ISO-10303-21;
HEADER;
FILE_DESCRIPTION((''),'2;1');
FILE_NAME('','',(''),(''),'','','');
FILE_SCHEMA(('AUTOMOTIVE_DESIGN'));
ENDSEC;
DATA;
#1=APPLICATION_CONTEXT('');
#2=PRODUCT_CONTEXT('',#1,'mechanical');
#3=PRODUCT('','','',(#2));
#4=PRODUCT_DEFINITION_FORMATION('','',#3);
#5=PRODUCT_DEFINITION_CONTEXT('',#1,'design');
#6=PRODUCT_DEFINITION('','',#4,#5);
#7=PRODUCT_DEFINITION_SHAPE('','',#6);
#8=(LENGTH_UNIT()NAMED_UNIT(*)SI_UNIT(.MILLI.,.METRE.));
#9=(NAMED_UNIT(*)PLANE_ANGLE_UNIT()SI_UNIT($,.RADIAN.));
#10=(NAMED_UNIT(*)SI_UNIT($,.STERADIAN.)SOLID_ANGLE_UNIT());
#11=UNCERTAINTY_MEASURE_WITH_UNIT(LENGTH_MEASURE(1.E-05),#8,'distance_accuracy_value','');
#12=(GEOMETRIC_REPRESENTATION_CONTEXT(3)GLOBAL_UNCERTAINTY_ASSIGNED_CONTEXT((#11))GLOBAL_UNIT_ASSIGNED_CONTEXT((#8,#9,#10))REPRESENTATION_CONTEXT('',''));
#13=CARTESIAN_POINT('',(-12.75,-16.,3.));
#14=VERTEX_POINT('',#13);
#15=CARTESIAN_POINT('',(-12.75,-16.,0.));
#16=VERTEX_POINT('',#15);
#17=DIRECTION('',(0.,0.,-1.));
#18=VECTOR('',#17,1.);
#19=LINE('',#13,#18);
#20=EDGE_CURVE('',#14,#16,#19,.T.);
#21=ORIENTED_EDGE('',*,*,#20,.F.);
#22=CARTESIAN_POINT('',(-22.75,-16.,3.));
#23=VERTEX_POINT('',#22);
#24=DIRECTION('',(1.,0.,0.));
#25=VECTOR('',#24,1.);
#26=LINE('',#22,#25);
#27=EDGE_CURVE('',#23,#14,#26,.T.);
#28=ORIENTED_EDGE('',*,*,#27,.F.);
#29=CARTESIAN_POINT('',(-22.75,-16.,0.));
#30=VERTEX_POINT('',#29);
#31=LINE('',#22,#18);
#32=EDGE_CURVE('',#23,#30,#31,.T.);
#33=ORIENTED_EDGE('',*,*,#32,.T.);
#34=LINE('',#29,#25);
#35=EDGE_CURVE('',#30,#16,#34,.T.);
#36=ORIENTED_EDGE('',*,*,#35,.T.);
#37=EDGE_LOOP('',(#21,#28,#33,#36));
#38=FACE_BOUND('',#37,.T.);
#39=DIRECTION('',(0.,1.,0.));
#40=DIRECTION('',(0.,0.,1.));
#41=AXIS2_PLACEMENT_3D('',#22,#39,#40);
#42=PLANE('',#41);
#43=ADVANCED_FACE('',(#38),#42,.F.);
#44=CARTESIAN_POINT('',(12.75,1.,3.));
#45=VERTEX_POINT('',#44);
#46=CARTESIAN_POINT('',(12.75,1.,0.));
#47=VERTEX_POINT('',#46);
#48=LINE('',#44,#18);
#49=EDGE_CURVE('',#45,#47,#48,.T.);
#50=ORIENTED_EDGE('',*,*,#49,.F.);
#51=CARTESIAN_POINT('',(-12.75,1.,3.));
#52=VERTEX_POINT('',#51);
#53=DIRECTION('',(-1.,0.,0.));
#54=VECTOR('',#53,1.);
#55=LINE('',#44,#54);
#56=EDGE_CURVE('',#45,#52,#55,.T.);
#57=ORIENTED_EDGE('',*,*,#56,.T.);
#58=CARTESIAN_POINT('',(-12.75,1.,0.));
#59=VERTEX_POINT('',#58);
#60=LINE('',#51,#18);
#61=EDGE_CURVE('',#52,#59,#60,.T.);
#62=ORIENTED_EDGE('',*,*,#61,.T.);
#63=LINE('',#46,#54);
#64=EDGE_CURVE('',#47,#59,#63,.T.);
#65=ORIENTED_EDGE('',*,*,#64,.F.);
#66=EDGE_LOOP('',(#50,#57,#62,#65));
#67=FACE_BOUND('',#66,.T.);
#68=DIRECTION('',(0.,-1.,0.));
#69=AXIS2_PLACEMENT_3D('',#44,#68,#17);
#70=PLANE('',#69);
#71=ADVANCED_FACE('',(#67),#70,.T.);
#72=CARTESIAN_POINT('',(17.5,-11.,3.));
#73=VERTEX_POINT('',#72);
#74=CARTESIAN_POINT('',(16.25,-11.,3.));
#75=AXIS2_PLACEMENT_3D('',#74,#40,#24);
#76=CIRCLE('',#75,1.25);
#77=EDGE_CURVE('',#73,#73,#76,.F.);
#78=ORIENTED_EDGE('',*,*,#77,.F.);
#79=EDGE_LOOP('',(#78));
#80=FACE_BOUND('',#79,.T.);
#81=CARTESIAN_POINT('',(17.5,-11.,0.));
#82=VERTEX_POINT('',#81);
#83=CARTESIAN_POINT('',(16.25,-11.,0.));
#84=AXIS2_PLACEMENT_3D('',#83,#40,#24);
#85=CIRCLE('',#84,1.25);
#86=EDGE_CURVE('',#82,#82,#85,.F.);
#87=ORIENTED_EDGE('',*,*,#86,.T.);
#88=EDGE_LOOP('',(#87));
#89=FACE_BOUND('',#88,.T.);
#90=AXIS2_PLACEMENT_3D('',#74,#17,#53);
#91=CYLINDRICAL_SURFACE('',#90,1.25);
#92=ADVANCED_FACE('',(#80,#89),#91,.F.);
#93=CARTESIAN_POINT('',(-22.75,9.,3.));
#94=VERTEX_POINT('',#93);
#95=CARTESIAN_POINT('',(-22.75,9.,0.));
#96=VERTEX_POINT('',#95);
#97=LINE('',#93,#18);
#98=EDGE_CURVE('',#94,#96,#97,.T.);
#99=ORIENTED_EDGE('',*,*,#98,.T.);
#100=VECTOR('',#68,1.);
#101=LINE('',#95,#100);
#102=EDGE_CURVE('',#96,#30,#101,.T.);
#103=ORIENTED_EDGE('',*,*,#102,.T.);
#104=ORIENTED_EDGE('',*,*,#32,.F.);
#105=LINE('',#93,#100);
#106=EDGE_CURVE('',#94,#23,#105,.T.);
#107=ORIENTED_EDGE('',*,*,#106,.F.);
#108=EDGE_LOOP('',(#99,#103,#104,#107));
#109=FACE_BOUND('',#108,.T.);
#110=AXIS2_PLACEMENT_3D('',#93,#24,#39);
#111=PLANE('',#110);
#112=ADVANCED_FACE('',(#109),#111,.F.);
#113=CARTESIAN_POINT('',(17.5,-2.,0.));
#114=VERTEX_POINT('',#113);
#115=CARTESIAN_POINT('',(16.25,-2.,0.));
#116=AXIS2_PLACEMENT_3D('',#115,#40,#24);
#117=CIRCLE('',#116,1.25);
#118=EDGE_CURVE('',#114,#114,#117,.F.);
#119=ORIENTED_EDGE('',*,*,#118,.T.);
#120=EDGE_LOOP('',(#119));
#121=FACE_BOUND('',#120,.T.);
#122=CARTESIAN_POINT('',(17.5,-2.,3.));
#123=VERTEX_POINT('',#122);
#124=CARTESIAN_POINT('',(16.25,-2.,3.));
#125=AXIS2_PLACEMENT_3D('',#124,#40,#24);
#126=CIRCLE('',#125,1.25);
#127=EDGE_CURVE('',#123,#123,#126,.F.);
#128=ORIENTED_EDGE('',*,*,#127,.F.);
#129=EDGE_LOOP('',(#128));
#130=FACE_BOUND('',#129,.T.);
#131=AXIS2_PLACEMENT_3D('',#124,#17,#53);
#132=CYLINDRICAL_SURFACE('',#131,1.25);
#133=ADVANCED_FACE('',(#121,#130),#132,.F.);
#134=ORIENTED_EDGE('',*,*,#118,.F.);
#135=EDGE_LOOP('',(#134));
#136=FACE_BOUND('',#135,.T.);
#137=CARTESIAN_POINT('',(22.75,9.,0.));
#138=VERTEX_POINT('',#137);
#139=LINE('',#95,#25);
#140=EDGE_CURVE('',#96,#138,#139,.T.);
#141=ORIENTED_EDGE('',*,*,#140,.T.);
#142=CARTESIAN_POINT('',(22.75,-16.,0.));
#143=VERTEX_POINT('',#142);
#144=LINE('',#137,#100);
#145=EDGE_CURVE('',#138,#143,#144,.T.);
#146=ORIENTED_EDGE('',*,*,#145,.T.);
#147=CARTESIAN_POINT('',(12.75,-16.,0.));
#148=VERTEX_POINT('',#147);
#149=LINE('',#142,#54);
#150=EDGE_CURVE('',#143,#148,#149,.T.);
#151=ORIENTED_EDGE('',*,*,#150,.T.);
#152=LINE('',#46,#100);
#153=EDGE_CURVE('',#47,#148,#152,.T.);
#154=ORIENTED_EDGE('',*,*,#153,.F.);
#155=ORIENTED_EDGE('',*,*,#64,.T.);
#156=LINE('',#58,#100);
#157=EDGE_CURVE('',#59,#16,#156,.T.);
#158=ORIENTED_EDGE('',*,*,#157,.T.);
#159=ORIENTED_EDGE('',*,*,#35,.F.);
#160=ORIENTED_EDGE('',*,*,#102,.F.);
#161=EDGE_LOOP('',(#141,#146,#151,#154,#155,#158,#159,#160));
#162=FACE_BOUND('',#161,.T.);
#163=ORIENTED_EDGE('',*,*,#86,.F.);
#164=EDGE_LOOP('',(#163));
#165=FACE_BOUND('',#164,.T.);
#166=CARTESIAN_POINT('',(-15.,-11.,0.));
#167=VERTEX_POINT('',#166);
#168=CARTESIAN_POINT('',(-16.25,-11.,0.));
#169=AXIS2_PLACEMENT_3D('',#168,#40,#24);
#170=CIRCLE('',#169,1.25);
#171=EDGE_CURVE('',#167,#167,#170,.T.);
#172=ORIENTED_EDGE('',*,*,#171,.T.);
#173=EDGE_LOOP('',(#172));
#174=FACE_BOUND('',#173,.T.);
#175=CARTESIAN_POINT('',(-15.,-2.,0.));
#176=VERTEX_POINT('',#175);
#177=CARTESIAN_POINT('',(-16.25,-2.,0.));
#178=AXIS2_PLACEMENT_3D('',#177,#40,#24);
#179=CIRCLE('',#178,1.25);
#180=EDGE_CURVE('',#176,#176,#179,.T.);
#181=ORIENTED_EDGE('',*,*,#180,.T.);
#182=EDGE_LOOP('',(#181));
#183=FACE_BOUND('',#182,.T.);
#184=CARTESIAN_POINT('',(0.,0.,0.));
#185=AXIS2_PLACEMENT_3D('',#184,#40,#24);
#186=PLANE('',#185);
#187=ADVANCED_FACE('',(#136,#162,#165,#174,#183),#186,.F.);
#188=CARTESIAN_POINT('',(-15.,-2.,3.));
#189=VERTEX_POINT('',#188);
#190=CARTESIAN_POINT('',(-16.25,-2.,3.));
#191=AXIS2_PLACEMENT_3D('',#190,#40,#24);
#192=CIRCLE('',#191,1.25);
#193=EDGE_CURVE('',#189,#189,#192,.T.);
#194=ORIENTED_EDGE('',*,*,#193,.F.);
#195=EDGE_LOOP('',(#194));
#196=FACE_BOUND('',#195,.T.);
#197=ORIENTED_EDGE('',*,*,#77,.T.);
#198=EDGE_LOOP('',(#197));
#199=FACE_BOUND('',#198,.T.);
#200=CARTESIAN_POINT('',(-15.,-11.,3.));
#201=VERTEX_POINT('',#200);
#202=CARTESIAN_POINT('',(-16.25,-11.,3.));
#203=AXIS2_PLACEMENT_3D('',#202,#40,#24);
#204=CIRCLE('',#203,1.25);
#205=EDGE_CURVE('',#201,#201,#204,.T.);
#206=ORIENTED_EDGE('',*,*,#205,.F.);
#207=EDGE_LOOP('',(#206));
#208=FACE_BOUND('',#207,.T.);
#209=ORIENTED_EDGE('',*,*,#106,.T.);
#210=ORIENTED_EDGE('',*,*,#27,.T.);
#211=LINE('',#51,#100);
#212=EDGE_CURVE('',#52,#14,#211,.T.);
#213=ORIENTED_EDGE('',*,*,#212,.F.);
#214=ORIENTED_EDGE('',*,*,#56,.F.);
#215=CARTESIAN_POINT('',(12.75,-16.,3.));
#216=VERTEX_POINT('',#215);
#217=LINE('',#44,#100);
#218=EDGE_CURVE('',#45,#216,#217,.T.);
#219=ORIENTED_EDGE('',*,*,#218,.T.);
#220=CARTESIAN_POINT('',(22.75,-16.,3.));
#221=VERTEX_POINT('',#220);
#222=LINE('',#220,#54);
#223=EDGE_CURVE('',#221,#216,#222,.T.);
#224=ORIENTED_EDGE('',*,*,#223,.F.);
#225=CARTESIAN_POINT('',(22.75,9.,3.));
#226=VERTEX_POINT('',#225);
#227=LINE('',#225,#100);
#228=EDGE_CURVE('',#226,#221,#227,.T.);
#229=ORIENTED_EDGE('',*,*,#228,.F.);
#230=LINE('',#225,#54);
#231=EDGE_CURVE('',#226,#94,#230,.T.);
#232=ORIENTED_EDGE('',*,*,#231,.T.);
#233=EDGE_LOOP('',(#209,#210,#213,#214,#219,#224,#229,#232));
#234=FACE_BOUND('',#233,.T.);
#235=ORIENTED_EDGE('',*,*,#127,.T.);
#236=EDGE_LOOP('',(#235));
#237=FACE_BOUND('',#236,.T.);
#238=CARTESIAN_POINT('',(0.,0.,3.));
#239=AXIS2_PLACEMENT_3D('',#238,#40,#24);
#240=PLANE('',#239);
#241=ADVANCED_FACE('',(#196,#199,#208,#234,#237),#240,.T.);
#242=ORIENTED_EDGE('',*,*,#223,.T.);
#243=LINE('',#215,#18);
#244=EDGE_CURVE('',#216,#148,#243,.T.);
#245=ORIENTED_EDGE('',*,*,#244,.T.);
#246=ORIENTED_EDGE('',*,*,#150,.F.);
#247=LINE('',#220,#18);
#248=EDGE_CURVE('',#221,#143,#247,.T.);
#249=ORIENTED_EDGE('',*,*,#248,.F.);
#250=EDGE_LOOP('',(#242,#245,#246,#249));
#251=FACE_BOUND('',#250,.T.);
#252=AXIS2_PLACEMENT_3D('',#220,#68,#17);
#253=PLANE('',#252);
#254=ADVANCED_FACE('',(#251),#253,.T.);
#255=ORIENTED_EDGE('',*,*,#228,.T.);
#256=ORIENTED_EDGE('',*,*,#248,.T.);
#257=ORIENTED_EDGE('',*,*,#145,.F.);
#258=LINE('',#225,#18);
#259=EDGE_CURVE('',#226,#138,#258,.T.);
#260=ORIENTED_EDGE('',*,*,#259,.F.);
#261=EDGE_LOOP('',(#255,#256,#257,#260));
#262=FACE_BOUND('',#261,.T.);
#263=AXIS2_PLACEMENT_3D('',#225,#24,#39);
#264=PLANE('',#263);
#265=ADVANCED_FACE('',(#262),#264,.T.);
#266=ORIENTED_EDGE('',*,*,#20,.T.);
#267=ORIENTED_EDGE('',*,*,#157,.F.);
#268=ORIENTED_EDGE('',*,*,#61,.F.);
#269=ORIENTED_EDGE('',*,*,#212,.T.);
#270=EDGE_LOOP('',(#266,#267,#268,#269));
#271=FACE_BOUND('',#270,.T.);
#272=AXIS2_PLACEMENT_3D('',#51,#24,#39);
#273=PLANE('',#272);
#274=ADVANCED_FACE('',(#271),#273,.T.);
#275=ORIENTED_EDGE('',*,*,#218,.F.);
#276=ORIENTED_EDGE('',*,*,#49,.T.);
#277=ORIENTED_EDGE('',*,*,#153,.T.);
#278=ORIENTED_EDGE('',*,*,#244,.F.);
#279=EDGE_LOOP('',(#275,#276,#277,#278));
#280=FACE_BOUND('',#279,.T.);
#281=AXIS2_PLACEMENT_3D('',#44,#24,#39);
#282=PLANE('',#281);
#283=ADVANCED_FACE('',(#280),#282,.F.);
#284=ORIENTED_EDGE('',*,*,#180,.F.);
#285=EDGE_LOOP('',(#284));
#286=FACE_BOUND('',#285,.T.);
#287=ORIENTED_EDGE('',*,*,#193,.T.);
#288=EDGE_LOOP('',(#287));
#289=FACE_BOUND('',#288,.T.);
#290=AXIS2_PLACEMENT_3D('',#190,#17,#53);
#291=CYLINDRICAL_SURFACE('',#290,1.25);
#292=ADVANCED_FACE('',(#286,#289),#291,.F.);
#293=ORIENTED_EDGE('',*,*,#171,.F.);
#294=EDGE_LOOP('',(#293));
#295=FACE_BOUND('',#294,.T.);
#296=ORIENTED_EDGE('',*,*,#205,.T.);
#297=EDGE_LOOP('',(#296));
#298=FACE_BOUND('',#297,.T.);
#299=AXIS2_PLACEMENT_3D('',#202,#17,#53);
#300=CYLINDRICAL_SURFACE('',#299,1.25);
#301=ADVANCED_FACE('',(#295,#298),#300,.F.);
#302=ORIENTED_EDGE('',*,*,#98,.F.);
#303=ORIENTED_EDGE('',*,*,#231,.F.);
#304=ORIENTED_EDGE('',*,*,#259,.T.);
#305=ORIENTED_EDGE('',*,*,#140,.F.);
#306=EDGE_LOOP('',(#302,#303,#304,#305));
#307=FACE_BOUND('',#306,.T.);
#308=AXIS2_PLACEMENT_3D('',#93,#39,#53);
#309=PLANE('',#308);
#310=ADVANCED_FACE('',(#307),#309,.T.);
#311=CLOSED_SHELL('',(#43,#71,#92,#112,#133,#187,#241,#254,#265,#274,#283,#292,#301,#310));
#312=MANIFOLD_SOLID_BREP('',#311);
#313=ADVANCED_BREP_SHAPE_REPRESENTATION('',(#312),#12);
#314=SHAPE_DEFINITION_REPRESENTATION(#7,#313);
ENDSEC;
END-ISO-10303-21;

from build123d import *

# Parameters (mm, degrees)
BOSS_EXTRUDE1_DEPTH = 3
SKETCH1_3_R         = 1.25
CUT_EXTRUDE1_DEPTH  = 3


with BuildPart() as part:
    # Sketch1 → Boss-Extrude1 (new body)
    with BuildSketch(Plane.XY):
        Polygon((-22.75, 9), (-12.75, 9), (12.75, 9), (22.75, 9), (22.75, -16), (12.75, -16), (12.75, 1), (-12.75, 1), (-12.75, -16), (-22.75, -16), align=None)
    extrude(amount=BOSS_EXTRUDE1_DEPTH)

    # Sketch1<3> → Cut-Extrude1 (cut)
    with BuildSketch(Plane.XY):
        with Locations((-16.25, -11)):
            Circle(SKETCH1_3_R)
        with Locations((16.25, -2)):
            Circle(SKETCH1_3_R)
        with Locations((16.25, -11)):
            Circle(SKETCH1_3_R)
        with Locations((-16.25, -2)):
            Circle(SKETCH1_3_R)
    extrude(amount=CUT_EXTRUDE1_DEPTH, mode=Mode.SUBTRACT)


solid = part.part
